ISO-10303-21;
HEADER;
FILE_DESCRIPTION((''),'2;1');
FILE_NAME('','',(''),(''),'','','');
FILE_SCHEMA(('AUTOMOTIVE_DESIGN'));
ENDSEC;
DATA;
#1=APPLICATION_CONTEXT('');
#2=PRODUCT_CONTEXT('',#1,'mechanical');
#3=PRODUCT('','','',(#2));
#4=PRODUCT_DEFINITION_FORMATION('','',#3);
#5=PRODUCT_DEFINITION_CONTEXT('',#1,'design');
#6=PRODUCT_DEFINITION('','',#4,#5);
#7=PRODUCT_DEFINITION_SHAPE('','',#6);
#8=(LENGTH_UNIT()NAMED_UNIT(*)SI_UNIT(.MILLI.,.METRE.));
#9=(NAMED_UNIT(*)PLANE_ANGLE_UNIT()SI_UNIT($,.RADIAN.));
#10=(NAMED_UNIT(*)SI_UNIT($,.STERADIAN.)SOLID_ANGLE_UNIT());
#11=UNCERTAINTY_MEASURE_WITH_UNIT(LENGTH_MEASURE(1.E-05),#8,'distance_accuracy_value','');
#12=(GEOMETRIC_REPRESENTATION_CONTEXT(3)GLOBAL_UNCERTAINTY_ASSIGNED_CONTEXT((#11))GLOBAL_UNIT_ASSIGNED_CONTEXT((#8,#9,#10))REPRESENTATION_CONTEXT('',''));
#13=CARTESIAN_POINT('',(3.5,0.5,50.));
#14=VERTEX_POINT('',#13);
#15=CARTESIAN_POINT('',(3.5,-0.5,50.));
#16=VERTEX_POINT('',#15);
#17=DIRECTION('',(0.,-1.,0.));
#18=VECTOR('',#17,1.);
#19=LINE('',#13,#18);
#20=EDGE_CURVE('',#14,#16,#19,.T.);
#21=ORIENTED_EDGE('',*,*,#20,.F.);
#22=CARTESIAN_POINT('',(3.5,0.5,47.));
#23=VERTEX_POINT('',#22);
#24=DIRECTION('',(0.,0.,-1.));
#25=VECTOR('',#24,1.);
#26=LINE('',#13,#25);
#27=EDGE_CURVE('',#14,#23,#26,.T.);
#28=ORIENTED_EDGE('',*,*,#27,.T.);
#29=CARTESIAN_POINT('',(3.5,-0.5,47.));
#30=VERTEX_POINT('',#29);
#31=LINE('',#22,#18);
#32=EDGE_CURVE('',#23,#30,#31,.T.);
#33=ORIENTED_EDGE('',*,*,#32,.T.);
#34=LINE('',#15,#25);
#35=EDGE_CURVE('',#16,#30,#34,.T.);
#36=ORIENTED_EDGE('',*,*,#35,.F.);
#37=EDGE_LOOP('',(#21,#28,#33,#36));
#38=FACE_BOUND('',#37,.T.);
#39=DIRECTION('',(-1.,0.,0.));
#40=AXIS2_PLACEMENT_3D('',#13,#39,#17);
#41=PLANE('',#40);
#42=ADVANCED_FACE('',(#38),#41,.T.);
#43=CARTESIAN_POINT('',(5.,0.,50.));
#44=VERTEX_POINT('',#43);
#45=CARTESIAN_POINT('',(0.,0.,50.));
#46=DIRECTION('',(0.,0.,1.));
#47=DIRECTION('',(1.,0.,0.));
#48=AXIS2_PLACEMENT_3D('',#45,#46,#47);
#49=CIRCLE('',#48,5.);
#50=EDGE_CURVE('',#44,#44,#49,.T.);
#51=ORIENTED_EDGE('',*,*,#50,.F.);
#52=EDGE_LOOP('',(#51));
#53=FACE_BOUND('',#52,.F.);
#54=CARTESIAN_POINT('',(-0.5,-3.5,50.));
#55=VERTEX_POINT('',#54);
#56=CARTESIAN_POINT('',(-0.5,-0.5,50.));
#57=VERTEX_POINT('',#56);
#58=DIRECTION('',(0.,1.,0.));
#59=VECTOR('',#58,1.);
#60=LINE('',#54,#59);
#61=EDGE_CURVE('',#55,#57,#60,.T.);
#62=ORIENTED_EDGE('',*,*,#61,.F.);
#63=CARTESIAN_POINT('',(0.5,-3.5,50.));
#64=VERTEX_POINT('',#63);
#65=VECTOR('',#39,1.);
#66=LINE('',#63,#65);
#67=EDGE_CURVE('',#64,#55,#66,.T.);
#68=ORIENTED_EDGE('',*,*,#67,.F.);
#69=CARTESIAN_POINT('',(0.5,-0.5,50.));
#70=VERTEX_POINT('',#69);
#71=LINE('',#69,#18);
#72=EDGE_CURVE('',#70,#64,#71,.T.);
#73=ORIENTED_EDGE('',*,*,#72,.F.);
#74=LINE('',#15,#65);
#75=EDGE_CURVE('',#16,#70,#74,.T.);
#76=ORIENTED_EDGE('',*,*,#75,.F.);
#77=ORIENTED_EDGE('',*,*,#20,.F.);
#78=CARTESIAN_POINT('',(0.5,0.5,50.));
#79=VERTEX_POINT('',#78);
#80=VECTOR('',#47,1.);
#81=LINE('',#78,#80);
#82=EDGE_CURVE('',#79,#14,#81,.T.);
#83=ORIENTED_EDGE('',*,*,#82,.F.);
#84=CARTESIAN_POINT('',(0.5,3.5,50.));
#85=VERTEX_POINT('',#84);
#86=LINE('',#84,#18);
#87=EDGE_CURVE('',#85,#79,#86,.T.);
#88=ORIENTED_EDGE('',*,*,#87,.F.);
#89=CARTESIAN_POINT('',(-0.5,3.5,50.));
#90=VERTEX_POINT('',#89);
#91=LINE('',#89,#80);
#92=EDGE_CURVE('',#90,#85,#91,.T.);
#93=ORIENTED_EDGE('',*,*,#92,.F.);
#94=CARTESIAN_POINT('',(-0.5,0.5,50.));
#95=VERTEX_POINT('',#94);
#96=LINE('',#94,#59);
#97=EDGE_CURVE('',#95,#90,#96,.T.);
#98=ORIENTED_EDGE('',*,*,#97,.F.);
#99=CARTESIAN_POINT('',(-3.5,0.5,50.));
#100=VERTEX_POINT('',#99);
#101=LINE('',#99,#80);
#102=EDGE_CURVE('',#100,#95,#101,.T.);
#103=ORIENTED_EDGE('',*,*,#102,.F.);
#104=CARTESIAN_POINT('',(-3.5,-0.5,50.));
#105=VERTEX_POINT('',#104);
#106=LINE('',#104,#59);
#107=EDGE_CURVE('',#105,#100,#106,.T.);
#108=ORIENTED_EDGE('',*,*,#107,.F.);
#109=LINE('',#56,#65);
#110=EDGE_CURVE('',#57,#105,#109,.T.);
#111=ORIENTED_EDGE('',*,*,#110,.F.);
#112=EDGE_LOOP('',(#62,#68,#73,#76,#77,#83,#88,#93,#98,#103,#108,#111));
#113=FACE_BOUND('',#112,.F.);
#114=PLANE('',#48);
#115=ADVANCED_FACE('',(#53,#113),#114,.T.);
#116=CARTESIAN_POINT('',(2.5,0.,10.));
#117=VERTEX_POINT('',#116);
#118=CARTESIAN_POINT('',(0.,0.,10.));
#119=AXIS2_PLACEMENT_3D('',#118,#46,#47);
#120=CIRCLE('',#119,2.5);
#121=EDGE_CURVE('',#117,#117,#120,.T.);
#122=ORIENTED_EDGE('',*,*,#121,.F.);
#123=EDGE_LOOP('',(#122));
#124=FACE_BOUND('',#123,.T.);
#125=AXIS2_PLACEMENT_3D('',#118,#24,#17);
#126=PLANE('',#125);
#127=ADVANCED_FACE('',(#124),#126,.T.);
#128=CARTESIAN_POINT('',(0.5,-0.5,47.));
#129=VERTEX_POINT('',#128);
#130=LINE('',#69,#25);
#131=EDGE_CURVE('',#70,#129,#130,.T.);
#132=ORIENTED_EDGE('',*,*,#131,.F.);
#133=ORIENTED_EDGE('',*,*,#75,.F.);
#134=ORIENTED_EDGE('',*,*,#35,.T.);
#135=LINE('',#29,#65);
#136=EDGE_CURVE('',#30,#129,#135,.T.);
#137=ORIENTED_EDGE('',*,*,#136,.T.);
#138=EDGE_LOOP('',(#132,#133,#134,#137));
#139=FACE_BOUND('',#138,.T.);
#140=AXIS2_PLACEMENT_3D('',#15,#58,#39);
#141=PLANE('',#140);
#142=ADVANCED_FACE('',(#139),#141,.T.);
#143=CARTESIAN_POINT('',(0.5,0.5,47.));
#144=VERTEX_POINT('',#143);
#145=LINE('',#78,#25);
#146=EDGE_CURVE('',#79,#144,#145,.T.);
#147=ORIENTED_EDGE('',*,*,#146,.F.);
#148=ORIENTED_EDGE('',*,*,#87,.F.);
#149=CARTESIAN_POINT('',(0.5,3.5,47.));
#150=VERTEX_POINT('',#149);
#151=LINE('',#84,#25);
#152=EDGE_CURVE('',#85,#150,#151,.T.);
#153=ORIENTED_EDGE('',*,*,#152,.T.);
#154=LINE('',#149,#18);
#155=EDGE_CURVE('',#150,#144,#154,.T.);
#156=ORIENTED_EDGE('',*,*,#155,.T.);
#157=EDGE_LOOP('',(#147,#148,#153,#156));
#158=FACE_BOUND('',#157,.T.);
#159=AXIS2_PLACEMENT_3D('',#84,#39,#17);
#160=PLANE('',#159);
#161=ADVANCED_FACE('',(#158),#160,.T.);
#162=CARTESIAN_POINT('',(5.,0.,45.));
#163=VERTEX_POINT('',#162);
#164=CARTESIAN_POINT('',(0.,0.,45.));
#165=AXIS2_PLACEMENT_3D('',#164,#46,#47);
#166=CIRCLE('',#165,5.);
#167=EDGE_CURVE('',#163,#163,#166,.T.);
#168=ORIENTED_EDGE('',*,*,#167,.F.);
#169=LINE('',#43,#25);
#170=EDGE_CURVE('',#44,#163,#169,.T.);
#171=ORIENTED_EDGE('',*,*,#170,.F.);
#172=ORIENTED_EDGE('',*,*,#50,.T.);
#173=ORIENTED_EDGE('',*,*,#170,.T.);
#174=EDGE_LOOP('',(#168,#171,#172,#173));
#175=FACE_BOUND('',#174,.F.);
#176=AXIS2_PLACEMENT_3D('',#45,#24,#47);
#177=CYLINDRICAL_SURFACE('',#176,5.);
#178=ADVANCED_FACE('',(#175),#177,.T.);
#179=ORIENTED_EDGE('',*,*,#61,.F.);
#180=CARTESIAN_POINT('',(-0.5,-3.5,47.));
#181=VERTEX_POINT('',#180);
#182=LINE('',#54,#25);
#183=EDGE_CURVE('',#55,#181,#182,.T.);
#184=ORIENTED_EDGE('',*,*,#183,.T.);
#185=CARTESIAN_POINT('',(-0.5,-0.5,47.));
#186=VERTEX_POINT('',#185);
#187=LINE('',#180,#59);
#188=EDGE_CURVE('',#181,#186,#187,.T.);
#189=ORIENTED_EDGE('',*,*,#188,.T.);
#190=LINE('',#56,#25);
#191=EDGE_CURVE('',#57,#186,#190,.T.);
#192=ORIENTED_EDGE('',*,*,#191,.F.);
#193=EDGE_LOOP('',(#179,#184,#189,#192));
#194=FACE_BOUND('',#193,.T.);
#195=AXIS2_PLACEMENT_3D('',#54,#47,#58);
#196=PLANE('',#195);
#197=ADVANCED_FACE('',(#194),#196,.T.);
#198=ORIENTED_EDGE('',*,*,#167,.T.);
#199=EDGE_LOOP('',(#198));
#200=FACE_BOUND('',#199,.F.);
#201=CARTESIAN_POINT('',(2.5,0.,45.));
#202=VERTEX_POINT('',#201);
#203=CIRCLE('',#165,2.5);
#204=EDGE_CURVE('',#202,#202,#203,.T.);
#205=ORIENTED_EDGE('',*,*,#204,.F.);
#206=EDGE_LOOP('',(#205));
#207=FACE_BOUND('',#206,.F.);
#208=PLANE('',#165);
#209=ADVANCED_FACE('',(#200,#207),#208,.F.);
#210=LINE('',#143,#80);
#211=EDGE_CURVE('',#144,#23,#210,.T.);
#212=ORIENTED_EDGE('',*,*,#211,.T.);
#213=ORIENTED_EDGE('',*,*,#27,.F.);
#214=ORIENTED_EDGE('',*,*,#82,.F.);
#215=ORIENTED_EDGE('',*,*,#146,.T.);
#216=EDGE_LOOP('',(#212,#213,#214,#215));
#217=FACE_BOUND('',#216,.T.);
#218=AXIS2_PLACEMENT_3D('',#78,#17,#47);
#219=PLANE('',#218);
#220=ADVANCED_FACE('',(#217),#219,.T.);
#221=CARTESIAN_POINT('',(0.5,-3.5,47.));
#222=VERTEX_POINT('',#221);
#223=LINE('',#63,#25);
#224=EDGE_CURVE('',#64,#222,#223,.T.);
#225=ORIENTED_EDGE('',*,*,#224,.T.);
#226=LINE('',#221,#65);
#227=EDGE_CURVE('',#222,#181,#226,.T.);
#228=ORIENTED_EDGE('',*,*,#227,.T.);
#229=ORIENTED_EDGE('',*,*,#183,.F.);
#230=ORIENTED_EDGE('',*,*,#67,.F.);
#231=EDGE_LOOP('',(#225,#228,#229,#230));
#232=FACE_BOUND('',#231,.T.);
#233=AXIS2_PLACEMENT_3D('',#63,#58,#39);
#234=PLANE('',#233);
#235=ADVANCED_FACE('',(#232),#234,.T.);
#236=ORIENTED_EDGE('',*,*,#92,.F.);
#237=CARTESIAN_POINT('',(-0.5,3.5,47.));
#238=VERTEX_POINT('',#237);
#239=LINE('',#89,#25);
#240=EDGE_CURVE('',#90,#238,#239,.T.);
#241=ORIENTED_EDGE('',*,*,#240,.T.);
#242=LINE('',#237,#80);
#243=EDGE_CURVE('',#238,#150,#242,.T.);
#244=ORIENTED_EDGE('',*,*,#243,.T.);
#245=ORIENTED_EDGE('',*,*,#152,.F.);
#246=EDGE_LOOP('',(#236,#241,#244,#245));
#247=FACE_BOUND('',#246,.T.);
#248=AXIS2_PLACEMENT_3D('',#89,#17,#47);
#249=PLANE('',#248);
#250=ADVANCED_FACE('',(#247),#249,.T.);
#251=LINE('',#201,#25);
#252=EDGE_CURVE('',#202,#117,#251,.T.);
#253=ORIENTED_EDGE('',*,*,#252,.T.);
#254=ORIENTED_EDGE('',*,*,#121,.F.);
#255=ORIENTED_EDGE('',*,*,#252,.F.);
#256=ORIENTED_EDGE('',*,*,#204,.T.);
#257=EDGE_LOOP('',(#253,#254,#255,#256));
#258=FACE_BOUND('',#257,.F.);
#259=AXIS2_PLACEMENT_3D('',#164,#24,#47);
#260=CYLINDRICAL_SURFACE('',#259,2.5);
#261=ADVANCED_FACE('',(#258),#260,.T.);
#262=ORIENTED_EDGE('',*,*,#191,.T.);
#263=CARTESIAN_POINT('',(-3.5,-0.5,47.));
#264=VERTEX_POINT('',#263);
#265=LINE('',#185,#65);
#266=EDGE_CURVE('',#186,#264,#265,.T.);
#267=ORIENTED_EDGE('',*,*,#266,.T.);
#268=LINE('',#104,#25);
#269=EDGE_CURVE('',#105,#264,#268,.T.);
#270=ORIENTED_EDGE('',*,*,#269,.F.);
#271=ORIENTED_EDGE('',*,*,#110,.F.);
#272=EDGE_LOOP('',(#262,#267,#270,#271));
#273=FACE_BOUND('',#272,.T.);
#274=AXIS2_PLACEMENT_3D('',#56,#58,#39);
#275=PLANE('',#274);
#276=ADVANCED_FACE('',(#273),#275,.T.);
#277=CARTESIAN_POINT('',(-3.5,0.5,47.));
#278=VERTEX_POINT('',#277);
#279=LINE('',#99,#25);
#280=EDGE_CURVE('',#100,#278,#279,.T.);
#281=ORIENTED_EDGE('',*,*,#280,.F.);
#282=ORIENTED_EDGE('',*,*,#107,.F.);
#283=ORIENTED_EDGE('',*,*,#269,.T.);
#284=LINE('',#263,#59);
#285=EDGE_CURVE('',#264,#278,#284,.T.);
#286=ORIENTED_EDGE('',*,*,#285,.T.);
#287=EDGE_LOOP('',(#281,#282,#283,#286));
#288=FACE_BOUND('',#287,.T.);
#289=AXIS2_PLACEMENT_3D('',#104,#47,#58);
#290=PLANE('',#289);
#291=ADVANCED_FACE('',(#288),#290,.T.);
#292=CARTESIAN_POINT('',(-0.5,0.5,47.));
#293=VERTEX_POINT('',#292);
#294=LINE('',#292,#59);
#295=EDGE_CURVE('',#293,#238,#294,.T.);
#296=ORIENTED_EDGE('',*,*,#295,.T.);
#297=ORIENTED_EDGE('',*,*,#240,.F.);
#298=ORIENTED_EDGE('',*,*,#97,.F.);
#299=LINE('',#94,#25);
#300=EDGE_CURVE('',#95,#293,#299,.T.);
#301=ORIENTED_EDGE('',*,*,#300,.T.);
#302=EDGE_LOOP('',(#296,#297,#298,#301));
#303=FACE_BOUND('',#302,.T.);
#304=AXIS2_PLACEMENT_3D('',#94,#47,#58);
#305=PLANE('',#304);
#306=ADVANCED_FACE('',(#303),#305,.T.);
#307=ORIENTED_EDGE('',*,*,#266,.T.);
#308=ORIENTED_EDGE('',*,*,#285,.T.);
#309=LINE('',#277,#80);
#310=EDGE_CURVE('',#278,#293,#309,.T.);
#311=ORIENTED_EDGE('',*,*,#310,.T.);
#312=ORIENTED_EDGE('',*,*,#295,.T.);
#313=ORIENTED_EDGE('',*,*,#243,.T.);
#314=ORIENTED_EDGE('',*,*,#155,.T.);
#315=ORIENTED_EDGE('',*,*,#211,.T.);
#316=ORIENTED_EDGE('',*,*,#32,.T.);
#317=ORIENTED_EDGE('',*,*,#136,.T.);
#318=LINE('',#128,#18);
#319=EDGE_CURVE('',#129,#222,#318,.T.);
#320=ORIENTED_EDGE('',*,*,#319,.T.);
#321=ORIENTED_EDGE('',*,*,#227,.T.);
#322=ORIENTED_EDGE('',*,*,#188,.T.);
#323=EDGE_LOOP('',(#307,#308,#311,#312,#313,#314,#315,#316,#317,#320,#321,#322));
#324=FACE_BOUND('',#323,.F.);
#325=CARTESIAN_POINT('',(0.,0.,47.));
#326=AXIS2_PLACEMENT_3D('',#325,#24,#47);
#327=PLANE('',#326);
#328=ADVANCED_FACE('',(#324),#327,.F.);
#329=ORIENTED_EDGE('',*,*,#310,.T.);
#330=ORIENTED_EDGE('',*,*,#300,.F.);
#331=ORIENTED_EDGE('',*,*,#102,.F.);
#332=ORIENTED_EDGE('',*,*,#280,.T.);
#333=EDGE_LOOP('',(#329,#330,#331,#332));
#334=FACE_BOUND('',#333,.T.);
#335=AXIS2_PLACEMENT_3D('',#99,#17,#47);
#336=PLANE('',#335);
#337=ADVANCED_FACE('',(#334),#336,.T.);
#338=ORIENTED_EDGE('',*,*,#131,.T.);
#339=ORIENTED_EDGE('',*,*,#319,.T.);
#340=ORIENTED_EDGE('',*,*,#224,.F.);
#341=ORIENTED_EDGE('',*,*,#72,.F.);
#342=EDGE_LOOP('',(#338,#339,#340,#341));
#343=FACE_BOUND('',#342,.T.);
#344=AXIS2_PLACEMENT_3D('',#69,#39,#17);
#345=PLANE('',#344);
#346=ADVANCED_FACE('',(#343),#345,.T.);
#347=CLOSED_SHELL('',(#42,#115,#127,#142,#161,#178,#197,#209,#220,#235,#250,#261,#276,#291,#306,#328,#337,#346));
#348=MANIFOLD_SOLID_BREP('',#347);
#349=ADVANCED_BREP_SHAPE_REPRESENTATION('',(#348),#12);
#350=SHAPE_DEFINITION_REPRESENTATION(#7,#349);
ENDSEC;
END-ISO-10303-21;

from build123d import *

# Parameters (mm, degrees)
POCKET_DEPTH    = 3
POCKET_FACE18_R = 2.5
POCKET001_DEPTH = 10


with BuildPart() as part:
    # Sketch → Revolution (revolve)
    with BuildSketch(Plane.XZ):
        Polygon((0, 50), (5, 50), (5, 45), (2.5, 45), (2.5, 0), (0, 0), align=None)
    revolve(axis=Axis((0, 0, 0), (0, 0, 1)))

    # Sketch001 (on Face1 of Revolution) → Pocket (cut)
    with BuildSketch(Plane(origin=(0, 0, 50), x_dir=(-1, 0, 0), z_dir=(0, 0, 1))):
        Polygon((-3.5, 0.5), (-0.5, 0.5), (-0.5, 3.5), (0.5, 3.5), (0.5, 0.5), (3.5, 0.5), (3.5, -0.5), (0.5, -0.5), (0.5, -3.5), (-0.5, -3.5), (-0.5, -0.5), (-3.5, -0.5), align=None)
    extrude(amount=-POCKET_DEPTH, mode=Mode.SUBTRACT)

    # Pocket Face18 → Pocket001 (cut)
    with BuildSketch(Plane(origin=(0, 0, 0), x_dir=(0, -1, 0), z_dir=(0, 0, -1))):
        Circle(POCKET_FACE18_R)
    extrude(amount=-POCKET001_DEPTH, mode=Mode.SUBTRACT)


solid = part.part
